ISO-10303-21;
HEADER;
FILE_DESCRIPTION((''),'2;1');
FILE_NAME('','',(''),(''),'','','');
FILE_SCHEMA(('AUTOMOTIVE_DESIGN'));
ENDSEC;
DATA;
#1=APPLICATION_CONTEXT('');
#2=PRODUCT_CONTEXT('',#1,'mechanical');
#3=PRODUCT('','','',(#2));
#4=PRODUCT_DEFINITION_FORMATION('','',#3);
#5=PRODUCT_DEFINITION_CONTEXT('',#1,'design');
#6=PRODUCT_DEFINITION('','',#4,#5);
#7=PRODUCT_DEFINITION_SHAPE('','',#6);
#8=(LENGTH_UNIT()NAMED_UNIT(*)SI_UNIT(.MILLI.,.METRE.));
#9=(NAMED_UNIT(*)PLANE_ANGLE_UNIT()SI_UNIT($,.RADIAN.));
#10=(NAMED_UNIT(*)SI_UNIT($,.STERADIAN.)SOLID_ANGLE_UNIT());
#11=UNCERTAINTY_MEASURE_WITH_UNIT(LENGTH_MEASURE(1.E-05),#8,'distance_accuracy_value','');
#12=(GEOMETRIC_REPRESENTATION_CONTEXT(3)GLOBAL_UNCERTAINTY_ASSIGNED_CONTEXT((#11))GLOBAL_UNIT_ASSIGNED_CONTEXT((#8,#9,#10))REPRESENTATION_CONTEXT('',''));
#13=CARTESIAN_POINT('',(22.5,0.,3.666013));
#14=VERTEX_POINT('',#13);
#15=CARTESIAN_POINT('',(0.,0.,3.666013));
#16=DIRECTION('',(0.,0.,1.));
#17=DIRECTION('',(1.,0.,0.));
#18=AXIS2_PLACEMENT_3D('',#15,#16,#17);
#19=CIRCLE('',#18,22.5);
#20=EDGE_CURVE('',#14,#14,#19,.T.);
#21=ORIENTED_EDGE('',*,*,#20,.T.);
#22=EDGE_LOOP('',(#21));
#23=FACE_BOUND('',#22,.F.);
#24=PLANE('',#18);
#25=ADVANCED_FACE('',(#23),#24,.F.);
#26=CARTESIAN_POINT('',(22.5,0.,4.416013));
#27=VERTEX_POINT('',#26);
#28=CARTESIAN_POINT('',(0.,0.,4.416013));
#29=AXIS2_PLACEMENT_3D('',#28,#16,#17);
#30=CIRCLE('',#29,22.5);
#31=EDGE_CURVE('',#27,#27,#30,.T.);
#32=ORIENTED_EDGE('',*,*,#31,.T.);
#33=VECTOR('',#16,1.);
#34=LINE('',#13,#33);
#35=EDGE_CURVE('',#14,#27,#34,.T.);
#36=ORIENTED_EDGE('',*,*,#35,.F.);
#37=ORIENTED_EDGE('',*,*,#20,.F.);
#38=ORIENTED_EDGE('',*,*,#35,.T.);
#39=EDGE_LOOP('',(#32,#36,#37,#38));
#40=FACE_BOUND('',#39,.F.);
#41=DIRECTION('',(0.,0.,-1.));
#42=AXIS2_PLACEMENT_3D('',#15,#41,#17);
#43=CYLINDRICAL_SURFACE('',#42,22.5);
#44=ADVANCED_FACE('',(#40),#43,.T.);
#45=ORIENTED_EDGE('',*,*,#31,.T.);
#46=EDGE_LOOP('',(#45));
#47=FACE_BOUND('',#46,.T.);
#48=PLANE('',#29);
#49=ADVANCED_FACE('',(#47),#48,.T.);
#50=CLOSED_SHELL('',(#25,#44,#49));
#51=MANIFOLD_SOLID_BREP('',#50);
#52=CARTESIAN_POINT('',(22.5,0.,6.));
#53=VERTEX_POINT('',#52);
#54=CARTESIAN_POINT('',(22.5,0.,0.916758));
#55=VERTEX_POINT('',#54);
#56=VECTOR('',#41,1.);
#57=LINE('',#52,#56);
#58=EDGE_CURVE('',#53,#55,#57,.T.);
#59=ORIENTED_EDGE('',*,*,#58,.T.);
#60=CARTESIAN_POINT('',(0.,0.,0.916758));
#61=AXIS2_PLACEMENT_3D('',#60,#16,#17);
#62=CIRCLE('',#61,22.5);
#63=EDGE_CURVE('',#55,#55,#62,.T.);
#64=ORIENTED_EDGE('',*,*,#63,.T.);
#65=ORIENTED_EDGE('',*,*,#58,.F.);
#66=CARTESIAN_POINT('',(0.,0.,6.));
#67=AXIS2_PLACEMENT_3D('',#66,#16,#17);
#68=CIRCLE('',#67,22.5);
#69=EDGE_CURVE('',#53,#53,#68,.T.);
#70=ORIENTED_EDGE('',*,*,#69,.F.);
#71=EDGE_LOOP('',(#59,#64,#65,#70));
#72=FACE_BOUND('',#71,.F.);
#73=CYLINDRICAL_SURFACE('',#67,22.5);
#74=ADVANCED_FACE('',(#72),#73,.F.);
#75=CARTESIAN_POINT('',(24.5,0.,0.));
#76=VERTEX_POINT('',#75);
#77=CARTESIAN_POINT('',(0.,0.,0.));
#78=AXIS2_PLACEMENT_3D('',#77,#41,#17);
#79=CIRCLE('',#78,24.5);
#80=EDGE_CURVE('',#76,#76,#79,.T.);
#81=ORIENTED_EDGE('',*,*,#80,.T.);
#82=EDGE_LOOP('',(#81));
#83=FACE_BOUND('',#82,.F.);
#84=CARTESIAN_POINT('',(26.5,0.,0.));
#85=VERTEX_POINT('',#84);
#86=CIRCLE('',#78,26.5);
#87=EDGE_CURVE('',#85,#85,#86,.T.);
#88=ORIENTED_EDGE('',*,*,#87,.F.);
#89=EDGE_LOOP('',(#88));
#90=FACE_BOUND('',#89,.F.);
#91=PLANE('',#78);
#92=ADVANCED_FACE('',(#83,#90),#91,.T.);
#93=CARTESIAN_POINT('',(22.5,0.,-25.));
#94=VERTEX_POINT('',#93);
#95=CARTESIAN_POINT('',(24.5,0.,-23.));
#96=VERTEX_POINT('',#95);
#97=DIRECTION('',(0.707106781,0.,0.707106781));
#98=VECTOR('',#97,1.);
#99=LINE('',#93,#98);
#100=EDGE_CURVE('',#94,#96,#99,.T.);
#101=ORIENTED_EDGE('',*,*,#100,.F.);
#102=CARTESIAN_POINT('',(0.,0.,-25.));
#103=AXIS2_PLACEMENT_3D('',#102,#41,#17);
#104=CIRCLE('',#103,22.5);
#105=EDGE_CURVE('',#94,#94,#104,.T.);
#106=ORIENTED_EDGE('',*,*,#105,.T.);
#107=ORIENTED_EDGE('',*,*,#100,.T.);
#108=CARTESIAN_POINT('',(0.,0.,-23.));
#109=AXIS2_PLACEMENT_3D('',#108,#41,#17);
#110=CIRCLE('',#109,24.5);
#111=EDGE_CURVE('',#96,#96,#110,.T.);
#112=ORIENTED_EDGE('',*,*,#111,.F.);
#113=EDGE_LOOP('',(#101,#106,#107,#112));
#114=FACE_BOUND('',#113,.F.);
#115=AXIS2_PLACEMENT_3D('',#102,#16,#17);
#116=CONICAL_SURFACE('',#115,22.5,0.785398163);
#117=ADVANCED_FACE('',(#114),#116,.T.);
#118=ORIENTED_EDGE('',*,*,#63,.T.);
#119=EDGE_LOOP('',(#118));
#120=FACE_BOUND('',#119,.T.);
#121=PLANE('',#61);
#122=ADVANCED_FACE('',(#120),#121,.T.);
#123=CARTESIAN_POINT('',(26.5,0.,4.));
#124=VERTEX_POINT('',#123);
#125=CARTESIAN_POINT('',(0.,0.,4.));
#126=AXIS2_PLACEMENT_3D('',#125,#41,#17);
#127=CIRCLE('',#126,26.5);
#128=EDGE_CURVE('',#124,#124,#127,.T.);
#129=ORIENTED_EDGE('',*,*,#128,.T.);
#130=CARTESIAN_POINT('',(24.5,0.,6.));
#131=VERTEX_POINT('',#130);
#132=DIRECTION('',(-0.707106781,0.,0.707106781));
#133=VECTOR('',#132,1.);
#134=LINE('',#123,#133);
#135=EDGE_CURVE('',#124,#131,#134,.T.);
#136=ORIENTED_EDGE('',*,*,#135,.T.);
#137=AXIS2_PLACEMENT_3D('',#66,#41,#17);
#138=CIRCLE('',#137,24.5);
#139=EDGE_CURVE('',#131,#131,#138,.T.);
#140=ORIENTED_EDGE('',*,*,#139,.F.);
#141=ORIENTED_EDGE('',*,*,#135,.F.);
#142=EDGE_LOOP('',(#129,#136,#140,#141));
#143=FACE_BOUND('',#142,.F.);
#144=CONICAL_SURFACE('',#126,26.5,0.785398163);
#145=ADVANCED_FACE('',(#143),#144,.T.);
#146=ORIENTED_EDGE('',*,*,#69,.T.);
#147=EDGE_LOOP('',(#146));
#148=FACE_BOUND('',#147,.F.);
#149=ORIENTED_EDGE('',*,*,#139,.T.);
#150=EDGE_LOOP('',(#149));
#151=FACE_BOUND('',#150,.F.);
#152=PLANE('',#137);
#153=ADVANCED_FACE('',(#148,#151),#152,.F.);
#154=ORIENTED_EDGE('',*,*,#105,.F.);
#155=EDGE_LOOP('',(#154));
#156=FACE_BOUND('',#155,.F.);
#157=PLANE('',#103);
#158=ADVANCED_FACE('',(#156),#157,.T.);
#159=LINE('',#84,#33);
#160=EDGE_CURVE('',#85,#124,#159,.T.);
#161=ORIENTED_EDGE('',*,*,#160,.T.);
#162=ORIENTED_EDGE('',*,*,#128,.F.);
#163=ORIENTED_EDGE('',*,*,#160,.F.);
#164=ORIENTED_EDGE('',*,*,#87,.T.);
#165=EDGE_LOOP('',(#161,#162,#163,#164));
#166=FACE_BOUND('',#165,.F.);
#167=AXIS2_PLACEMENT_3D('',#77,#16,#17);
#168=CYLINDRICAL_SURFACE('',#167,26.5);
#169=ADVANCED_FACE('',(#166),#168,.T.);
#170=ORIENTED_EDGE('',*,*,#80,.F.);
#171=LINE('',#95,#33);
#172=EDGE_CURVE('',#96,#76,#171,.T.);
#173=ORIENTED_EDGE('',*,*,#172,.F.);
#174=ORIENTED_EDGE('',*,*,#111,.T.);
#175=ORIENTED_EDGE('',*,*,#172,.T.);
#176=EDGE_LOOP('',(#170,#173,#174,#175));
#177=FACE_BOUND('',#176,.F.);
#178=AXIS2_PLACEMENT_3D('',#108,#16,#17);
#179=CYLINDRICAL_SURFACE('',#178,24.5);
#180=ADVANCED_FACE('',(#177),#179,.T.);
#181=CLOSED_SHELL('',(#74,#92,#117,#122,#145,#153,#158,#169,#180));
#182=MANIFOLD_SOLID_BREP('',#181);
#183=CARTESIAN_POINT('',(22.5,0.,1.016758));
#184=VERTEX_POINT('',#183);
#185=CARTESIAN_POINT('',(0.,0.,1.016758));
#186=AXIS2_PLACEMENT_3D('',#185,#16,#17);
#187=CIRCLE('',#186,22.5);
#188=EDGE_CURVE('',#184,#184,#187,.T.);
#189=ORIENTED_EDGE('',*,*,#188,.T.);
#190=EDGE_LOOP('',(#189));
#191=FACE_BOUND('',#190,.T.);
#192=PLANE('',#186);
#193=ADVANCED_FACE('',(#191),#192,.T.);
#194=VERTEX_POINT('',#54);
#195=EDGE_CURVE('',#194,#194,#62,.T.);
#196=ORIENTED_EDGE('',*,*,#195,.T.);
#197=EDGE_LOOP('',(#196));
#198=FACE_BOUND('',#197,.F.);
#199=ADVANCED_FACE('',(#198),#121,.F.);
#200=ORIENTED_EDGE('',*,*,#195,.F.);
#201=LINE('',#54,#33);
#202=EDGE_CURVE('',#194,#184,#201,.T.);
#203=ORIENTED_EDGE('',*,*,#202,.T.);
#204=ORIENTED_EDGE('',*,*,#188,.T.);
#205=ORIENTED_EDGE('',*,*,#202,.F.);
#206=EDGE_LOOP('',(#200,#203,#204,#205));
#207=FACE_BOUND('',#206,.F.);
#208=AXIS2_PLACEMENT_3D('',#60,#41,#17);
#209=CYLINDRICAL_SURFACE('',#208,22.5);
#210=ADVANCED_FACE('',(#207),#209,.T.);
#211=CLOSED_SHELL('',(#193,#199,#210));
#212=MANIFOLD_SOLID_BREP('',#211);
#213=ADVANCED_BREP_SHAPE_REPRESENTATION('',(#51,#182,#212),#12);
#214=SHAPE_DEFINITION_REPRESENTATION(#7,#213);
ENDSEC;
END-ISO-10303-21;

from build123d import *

# Parameters (mm, degrees)
F2_R     = 22.5
F3_DEPTH = 5.0832424313
F4_R     = 22.5
F5_DEPTH = 0.1
F7_R     = 22.5
F8_DEPTH = 0.75


with BuildPart() as f1:
    # F0 (on Front) → F1 (revolve)
    with BuildSketch(Plane.XZ):
        Polygon((0, 6), (0, -25), (22.5, -25), (24.5, -23), (24.5, 0), (26.5, 0), (26.5, 4), (24.5, 6), align=None)
    revolve(axis=Axis((0, 0, -9.5), (0, 0, -1)))

    # F2 (on face) → F3 (cut)
    with BuildSketch(Plane.XY.offset(6)):
        Circle(F2_R)
    extrude(amount=-F3_DEPTH, mode=Mode.SUBTRACT)


with BuildPart() as f5:
    # F4 (on face) → F5 (new body)
    with BuildSketch(Plane.XY.offset(0.9167575687)):
        Circle(F4_R)
    extrude(amount=F5_DEPTH)


with BuildPart() as f8:
    # F7 (on offset) → F8 (new body)
    with BuildSketch(Plane.XY.offset(3.6660126656)):
        Circle(F7_R)
    extrude(amount=F8_DEPTH)


solid = Compound([f1.part, f5.part, f8.part])
